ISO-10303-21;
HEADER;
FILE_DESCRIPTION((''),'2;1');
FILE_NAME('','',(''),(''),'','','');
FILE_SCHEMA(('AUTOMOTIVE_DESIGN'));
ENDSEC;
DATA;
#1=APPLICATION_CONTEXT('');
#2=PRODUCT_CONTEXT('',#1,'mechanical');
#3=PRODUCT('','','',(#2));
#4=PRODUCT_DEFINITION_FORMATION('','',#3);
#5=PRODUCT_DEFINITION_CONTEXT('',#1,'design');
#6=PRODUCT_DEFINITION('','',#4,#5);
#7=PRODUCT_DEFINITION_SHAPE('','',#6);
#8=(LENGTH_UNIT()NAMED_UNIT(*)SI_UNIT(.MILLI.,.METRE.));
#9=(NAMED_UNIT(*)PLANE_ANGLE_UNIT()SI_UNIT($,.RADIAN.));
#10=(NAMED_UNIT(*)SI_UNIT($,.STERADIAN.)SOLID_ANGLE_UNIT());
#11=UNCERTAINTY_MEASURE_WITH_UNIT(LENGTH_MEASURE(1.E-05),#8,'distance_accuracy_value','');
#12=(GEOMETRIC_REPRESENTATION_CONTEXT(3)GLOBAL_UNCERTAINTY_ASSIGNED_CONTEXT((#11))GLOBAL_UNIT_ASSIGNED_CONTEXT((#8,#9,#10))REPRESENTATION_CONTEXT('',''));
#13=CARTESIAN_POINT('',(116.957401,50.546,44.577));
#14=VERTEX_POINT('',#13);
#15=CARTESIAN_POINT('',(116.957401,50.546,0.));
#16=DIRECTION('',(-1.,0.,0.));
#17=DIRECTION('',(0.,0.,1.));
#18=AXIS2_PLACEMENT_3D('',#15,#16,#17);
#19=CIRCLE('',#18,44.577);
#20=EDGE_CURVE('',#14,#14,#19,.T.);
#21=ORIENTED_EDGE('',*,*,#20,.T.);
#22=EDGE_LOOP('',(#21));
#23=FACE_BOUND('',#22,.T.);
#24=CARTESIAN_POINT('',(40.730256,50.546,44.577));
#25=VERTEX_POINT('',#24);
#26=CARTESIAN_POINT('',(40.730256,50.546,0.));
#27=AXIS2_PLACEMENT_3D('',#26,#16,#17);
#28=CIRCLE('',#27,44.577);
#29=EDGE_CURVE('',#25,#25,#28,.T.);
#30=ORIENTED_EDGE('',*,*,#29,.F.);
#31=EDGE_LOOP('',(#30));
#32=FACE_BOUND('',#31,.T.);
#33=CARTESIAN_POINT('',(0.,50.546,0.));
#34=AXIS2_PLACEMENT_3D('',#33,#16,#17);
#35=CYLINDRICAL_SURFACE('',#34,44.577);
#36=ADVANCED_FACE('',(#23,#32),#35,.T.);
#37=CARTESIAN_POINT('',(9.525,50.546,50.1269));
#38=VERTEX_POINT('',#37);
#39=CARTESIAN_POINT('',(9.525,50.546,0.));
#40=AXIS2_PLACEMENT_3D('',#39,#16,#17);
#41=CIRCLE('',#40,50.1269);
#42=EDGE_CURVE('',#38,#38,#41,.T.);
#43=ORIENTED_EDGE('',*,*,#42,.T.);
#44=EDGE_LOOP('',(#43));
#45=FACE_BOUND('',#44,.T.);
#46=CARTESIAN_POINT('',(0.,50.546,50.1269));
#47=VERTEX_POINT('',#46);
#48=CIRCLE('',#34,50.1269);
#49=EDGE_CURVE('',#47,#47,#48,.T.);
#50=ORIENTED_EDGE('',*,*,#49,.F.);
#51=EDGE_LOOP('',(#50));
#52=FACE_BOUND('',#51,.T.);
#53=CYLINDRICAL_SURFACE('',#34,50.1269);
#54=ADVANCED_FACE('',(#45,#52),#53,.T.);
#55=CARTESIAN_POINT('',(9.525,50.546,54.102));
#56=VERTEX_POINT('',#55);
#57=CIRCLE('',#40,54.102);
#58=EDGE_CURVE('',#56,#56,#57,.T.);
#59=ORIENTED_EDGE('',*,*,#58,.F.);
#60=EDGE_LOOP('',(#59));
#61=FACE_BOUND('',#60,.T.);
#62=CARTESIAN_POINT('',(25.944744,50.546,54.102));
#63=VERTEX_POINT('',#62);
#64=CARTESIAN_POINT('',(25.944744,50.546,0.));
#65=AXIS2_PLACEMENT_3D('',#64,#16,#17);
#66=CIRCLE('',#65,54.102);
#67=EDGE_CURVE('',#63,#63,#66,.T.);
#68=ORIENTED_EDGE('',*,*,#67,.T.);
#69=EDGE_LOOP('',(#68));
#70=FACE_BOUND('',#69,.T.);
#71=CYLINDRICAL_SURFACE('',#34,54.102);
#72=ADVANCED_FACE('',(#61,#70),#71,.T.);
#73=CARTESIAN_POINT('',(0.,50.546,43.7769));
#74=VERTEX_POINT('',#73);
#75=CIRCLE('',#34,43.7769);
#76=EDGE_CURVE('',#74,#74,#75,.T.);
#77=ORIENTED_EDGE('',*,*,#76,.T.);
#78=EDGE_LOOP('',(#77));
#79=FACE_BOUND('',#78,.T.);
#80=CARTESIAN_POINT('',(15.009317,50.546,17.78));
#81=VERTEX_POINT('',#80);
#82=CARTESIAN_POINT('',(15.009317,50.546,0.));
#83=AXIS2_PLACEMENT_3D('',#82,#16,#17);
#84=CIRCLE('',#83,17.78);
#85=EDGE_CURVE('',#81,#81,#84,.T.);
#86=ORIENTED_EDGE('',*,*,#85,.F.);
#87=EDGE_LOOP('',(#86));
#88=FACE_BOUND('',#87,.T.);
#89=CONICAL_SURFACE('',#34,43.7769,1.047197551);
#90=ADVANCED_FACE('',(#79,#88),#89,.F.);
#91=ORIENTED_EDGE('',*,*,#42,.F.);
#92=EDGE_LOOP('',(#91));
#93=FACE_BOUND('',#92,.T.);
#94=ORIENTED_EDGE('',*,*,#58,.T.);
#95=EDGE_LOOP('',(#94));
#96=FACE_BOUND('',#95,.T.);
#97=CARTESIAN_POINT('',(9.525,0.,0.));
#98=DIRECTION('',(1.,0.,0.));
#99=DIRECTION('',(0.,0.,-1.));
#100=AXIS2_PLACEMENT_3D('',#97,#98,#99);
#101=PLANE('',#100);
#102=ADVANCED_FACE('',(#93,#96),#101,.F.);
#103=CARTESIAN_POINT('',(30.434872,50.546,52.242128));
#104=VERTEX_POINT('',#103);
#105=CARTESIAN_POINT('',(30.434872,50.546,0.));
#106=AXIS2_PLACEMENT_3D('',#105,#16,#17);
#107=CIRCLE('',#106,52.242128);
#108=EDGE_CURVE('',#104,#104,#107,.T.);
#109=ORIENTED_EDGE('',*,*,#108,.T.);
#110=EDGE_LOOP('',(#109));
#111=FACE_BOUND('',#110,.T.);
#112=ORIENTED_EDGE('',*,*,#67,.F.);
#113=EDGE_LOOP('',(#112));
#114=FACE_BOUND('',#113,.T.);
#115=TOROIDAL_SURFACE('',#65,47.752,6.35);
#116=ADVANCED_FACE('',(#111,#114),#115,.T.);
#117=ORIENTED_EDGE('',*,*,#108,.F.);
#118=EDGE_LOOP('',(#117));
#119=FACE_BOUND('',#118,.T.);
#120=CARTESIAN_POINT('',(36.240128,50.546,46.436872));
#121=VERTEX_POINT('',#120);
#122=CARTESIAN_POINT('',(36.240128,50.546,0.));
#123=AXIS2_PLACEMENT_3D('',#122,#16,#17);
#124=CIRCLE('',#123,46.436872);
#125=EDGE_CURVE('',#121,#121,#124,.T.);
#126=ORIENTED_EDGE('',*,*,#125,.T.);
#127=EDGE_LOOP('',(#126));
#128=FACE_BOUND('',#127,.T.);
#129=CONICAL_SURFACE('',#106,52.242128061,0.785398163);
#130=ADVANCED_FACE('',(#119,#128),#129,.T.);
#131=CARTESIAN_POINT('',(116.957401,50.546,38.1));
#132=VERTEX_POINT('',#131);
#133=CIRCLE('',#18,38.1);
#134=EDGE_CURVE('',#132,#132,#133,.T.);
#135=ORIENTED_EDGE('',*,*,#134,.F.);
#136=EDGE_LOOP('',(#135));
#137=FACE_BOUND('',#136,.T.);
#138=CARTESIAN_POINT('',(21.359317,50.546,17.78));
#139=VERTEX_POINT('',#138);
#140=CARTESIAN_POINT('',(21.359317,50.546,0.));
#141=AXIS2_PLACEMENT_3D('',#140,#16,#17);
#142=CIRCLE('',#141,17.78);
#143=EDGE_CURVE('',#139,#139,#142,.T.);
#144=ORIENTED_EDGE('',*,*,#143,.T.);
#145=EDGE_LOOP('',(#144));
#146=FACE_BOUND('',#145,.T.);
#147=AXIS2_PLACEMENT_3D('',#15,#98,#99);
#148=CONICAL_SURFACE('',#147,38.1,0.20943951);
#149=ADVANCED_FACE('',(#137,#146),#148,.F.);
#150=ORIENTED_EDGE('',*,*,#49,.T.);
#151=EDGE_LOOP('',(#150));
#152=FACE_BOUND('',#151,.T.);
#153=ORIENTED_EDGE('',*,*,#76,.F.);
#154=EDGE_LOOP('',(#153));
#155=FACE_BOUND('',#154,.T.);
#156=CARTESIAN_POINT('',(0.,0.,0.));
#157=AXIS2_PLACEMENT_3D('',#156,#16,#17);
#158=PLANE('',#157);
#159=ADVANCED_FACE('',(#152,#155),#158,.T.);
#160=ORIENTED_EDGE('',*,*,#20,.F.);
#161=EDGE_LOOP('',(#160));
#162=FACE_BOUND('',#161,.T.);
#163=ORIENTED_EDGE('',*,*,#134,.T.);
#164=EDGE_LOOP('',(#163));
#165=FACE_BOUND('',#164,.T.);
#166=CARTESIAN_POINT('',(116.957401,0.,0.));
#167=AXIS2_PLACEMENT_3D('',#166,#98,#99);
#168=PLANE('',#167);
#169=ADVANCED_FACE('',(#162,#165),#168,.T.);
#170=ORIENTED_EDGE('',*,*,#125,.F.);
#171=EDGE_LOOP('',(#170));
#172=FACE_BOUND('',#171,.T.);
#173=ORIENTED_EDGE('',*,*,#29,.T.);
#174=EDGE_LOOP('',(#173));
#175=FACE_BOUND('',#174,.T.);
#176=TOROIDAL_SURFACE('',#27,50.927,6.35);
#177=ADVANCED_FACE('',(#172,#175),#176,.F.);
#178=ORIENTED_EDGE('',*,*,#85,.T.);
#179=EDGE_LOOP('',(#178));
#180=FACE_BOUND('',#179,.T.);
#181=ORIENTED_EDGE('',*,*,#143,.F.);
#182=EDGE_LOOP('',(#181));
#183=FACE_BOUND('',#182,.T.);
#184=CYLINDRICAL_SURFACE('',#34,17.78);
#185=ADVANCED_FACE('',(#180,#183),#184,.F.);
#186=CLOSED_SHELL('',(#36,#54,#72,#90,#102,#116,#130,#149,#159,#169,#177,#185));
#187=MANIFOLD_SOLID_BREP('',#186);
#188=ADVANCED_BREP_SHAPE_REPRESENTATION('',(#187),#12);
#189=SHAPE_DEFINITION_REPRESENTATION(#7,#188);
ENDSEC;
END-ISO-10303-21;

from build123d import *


with BuildPart() as part:
    # Sketch1 → Revolve1 (revolve)
    with BuildSketch(Plane.XY):
        with BuildLine():
            Line((116.957401038, 12.446), (21.359317213, 32.766))
            Line((21.359317213, 32.766), (15.009317213, 32.766))
            Line((15.009317213, 32.766), (0, 6.7691))
            Line((0, 6.7691), (0, 0.4191))
            Line((0, 0.4191), (9.525, 0.4191))
            Line((9.525, 0.4191), (9.525, -3.556))
            Line((9.525, -3.556), (25.944743879, -3.556))
            ThreePointArc((25.944743879, -3.556), (28.374783674, -3.072635031), (30.434871939, -1.696128061))
            Line((30.434871939, -1.696128061), (36.240128061, 4.109128061))
            ThreePointArc((36.240128061, 4.109128061), (38.300216326, 5.485635031), (40.730256121, 5.969))
            Line((40.730256121, 5.969), (116.957401038, 5.969))
            Line((116.957401038, 5.969), (116.957401038, 12.446))
        make_face()
    revolve(axis=Axis((0, 50.546, 0), (1, 0, 0)))


solid = part.part
